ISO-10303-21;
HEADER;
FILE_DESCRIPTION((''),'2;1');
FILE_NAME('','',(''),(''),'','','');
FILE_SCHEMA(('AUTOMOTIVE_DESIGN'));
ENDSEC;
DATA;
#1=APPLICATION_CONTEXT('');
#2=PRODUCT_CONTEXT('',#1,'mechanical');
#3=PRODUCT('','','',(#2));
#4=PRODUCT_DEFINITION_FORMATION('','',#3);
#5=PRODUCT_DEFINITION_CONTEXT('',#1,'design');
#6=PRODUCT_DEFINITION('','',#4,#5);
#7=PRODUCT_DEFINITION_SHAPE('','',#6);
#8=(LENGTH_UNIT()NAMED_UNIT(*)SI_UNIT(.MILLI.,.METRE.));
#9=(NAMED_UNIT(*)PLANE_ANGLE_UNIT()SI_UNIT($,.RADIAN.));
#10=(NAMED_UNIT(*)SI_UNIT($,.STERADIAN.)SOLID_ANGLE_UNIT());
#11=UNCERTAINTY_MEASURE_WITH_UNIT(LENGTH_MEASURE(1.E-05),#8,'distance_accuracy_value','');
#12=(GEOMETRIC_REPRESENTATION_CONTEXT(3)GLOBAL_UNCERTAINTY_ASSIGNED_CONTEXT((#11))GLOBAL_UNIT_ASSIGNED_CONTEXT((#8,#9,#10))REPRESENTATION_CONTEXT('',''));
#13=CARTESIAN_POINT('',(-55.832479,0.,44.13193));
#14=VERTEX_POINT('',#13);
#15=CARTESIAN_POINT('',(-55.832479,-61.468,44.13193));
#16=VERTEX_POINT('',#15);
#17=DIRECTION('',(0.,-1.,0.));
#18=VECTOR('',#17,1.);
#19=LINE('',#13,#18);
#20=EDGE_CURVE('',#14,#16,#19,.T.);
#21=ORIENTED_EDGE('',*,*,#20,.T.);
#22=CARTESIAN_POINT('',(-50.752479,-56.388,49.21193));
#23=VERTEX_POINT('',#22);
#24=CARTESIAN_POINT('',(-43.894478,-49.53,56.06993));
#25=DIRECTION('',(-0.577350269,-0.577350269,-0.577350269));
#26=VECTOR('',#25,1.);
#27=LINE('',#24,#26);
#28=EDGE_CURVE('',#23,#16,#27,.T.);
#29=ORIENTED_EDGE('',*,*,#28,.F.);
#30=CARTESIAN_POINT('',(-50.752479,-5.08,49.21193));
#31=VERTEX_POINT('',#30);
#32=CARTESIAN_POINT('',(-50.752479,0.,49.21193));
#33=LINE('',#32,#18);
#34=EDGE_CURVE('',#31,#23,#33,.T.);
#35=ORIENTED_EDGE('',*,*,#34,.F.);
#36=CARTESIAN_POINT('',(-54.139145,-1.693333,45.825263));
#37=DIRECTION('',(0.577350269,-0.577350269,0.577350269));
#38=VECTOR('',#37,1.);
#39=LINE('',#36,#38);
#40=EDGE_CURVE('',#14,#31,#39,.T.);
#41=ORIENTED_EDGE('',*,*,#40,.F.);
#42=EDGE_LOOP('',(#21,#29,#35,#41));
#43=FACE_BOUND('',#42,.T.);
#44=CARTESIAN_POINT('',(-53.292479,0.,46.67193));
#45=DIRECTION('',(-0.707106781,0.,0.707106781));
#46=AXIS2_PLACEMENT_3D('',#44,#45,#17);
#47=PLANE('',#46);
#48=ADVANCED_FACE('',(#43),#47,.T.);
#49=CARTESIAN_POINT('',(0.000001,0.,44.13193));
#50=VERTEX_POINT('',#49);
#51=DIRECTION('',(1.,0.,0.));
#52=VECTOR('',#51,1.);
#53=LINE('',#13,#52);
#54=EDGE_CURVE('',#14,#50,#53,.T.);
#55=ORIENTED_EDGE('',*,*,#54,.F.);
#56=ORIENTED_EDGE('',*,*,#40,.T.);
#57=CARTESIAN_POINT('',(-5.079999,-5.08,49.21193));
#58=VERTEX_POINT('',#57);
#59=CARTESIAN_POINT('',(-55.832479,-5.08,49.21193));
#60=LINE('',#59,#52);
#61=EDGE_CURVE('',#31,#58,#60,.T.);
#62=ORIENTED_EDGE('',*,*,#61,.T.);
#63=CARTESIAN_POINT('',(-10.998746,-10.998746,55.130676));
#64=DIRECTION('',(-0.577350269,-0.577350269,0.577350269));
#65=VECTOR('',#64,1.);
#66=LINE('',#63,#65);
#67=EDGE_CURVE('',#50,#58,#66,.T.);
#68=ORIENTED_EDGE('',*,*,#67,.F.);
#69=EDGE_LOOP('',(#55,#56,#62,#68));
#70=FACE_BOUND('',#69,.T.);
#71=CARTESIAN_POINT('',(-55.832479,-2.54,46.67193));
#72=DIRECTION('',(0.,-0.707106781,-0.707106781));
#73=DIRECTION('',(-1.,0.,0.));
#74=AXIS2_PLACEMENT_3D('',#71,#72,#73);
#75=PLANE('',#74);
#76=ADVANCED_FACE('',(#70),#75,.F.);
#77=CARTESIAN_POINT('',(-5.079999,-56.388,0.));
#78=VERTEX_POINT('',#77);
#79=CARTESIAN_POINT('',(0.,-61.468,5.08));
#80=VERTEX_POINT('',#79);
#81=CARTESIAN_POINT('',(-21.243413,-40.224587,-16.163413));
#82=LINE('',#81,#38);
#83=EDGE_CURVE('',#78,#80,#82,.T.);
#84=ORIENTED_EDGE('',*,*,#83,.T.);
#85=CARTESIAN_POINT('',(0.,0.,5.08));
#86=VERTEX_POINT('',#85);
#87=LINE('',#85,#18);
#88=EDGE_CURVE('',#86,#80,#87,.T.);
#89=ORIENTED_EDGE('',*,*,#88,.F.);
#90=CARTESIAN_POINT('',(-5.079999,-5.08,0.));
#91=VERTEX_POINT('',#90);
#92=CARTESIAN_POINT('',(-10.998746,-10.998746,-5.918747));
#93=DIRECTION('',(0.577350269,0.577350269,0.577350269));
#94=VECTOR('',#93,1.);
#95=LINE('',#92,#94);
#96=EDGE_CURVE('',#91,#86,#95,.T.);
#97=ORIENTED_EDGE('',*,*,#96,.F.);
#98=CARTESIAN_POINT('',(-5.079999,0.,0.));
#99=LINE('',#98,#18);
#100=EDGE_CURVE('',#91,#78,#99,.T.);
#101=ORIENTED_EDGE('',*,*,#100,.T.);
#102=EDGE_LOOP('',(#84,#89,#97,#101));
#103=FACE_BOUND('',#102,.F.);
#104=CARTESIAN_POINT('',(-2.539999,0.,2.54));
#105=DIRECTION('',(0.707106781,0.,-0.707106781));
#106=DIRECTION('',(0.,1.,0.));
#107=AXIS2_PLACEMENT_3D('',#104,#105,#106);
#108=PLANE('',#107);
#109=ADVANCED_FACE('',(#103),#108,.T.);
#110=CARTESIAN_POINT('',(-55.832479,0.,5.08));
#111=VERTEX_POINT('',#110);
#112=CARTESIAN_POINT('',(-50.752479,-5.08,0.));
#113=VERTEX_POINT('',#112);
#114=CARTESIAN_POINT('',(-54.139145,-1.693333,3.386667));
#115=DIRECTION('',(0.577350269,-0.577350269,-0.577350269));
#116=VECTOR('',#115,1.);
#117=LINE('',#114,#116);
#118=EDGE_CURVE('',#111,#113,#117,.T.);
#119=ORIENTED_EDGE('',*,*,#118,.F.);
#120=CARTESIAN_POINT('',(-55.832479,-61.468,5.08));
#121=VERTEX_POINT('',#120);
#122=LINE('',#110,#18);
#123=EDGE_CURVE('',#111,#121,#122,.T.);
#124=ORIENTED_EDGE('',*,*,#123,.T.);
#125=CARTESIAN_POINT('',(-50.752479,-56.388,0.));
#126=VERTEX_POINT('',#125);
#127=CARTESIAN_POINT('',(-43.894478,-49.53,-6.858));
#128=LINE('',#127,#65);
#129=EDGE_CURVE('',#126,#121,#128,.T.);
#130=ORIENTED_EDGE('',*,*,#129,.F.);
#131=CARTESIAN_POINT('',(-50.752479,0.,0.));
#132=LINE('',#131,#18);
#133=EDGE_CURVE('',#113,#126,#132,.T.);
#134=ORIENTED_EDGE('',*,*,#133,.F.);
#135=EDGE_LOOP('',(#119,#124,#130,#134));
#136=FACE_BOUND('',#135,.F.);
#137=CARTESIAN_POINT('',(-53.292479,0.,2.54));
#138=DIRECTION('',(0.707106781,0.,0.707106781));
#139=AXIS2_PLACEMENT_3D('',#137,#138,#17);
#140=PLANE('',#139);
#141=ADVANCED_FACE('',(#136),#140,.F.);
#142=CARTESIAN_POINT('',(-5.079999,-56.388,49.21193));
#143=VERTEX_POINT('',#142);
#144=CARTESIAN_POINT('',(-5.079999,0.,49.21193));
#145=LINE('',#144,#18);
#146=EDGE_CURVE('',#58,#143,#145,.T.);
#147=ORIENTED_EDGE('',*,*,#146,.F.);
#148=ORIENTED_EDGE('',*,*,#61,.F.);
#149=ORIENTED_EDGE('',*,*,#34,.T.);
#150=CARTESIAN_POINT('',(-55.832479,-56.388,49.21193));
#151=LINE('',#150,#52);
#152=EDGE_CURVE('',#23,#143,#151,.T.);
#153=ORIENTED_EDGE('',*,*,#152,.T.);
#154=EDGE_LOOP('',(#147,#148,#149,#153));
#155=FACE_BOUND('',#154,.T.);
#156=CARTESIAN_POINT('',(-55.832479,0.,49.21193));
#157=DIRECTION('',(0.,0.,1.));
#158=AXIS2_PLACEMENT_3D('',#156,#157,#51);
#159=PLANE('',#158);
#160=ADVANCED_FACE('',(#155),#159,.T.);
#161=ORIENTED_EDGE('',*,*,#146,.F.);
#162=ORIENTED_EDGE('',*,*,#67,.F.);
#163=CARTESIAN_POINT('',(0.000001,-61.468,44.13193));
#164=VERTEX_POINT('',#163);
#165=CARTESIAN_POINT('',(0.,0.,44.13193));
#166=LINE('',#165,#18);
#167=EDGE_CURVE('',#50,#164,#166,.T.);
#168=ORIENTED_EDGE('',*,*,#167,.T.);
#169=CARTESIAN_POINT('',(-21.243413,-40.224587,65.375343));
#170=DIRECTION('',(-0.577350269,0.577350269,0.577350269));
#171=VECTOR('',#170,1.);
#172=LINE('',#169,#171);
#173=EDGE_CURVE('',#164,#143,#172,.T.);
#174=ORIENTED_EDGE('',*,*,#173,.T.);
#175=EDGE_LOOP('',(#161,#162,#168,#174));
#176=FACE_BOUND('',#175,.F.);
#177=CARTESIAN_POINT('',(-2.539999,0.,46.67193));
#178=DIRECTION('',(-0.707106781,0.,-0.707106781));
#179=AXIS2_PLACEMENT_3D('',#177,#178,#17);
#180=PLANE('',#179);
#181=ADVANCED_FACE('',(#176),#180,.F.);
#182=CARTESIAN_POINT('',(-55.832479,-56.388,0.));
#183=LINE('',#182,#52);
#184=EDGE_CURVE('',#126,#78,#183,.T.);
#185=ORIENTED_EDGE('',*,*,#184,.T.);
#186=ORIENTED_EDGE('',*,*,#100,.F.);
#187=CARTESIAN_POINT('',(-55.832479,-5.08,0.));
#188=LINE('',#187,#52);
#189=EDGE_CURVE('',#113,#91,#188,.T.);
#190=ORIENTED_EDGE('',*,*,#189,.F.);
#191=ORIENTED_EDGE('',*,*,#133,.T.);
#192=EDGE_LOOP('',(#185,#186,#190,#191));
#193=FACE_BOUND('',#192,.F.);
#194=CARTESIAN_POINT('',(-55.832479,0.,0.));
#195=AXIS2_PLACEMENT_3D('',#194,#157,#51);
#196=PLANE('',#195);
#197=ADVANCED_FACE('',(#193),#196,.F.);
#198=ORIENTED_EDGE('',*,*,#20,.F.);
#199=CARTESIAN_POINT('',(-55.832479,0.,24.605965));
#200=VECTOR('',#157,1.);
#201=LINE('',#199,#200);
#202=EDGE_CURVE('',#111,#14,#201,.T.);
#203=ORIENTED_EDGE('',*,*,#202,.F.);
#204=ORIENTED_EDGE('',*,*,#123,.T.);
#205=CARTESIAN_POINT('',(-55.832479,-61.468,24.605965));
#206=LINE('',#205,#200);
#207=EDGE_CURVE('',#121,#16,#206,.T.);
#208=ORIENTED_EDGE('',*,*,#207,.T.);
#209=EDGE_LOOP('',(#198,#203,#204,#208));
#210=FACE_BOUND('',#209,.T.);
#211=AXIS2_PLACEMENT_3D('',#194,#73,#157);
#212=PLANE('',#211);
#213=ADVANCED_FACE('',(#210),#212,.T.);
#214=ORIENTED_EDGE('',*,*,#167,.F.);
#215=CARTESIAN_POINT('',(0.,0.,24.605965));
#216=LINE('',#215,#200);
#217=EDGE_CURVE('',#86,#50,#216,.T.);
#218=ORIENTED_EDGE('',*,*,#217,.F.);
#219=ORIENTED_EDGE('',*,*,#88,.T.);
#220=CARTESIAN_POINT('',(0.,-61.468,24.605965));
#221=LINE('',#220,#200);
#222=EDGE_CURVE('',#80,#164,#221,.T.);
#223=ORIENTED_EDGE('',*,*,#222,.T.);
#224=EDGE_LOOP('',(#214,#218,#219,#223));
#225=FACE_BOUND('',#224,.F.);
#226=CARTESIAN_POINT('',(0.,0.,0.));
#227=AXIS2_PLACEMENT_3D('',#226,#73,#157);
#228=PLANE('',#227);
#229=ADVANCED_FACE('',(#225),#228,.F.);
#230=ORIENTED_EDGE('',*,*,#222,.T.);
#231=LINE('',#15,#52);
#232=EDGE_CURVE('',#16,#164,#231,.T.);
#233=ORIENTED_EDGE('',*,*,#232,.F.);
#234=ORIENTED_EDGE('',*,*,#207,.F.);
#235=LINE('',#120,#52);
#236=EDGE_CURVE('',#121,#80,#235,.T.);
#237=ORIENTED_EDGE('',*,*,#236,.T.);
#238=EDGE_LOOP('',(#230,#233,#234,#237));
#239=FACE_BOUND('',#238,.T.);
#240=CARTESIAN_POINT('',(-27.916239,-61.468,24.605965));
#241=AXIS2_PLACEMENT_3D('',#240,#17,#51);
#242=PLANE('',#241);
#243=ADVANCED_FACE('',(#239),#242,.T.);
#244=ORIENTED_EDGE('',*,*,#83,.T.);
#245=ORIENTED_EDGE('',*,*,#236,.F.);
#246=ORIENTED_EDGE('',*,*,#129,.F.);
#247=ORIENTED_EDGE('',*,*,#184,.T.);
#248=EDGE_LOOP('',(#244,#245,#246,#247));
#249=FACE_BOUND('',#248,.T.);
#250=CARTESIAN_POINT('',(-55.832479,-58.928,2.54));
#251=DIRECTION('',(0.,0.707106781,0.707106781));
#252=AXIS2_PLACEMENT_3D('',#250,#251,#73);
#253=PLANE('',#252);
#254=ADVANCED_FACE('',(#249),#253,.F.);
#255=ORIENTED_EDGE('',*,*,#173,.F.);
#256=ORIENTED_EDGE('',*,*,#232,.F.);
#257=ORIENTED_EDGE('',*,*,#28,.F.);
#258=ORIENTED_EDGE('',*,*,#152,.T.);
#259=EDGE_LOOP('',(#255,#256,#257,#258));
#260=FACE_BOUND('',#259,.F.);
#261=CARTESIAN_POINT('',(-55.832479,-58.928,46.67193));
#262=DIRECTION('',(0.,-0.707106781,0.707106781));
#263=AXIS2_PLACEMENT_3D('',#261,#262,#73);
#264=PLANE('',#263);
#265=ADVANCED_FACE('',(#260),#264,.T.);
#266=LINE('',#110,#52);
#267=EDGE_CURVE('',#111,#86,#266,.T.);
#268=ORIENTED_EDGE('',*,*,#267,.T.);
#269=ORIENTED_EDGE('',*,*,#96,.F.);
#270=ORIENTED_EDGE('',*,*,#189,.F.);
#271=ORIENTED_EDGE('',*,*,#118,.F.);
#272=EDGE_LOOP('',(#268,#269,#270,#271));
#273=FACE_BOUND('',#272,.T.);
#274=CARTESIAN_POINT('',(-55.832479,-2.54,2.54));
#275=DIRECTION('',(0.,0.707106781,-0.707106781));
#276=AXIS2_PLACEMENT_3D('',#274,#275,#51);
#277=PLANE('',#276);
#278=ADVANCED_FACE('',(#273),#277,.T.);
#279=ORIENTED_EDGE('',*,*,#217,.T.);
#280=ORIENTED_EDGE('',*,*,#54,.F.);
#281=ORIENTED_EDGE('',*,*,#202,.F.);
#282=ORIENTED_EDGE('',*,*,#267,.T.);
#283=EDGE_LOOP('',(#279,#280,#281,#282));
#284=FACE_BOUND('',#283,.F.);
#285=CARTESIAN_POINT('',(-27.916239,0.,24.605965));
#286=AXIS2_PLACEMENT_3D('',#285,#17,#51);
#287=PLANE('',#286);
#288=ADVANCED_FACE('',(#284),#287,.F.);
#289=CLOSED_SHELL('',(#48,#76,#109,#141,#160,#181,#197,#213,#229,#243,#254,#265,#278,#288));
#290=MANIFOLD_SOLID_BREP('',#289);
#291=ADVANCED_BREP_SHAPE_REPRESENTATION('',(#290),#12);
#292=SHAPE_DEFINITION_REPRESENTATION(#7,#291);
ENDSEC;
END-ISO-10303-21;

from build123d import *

# Parameters (mm, degrees)
F0_W     = 55.832479
F0_H     = 49.21193
F1_DEPTH = 61.468
F2_SIZE  = 5.08
F3_SIZE  = 5.08


with BuildPart() as f1:
    # F0 (on Front) → F1 (new body)
    with BuildSketch(Plane.XZ):
        with Locations((-27.916239, 24.605965)):
            Rectangle(F0_W, F0_H)
    extrude(amount=F1_DEPTH)

    # F2
    f2_edges = [f1.edges().sort_by_distance(p)[0] for p in [
        (0, -30.734, 49.21193),
        (-27.91624, -61.468, 49.21193),
        (-55.832479, -30.734, 49.21193),
        (-27.91624, 0, 49.21193),
    ]]
    chamfer(f2_edges, length=F2_SIZE)

    # F3
    f3_edges = [f1.edges().sort_by_distance(p)[0] for p in [
        (0, -30.734, 0),
        (-27.91624, -61.468, 0),
        (-55.832479, -30.734, 0),
        (-27.91624, 0, 0),
    ]]
    chamfer(f3_edges, length=F3_SIZE)


solid = f1.part
